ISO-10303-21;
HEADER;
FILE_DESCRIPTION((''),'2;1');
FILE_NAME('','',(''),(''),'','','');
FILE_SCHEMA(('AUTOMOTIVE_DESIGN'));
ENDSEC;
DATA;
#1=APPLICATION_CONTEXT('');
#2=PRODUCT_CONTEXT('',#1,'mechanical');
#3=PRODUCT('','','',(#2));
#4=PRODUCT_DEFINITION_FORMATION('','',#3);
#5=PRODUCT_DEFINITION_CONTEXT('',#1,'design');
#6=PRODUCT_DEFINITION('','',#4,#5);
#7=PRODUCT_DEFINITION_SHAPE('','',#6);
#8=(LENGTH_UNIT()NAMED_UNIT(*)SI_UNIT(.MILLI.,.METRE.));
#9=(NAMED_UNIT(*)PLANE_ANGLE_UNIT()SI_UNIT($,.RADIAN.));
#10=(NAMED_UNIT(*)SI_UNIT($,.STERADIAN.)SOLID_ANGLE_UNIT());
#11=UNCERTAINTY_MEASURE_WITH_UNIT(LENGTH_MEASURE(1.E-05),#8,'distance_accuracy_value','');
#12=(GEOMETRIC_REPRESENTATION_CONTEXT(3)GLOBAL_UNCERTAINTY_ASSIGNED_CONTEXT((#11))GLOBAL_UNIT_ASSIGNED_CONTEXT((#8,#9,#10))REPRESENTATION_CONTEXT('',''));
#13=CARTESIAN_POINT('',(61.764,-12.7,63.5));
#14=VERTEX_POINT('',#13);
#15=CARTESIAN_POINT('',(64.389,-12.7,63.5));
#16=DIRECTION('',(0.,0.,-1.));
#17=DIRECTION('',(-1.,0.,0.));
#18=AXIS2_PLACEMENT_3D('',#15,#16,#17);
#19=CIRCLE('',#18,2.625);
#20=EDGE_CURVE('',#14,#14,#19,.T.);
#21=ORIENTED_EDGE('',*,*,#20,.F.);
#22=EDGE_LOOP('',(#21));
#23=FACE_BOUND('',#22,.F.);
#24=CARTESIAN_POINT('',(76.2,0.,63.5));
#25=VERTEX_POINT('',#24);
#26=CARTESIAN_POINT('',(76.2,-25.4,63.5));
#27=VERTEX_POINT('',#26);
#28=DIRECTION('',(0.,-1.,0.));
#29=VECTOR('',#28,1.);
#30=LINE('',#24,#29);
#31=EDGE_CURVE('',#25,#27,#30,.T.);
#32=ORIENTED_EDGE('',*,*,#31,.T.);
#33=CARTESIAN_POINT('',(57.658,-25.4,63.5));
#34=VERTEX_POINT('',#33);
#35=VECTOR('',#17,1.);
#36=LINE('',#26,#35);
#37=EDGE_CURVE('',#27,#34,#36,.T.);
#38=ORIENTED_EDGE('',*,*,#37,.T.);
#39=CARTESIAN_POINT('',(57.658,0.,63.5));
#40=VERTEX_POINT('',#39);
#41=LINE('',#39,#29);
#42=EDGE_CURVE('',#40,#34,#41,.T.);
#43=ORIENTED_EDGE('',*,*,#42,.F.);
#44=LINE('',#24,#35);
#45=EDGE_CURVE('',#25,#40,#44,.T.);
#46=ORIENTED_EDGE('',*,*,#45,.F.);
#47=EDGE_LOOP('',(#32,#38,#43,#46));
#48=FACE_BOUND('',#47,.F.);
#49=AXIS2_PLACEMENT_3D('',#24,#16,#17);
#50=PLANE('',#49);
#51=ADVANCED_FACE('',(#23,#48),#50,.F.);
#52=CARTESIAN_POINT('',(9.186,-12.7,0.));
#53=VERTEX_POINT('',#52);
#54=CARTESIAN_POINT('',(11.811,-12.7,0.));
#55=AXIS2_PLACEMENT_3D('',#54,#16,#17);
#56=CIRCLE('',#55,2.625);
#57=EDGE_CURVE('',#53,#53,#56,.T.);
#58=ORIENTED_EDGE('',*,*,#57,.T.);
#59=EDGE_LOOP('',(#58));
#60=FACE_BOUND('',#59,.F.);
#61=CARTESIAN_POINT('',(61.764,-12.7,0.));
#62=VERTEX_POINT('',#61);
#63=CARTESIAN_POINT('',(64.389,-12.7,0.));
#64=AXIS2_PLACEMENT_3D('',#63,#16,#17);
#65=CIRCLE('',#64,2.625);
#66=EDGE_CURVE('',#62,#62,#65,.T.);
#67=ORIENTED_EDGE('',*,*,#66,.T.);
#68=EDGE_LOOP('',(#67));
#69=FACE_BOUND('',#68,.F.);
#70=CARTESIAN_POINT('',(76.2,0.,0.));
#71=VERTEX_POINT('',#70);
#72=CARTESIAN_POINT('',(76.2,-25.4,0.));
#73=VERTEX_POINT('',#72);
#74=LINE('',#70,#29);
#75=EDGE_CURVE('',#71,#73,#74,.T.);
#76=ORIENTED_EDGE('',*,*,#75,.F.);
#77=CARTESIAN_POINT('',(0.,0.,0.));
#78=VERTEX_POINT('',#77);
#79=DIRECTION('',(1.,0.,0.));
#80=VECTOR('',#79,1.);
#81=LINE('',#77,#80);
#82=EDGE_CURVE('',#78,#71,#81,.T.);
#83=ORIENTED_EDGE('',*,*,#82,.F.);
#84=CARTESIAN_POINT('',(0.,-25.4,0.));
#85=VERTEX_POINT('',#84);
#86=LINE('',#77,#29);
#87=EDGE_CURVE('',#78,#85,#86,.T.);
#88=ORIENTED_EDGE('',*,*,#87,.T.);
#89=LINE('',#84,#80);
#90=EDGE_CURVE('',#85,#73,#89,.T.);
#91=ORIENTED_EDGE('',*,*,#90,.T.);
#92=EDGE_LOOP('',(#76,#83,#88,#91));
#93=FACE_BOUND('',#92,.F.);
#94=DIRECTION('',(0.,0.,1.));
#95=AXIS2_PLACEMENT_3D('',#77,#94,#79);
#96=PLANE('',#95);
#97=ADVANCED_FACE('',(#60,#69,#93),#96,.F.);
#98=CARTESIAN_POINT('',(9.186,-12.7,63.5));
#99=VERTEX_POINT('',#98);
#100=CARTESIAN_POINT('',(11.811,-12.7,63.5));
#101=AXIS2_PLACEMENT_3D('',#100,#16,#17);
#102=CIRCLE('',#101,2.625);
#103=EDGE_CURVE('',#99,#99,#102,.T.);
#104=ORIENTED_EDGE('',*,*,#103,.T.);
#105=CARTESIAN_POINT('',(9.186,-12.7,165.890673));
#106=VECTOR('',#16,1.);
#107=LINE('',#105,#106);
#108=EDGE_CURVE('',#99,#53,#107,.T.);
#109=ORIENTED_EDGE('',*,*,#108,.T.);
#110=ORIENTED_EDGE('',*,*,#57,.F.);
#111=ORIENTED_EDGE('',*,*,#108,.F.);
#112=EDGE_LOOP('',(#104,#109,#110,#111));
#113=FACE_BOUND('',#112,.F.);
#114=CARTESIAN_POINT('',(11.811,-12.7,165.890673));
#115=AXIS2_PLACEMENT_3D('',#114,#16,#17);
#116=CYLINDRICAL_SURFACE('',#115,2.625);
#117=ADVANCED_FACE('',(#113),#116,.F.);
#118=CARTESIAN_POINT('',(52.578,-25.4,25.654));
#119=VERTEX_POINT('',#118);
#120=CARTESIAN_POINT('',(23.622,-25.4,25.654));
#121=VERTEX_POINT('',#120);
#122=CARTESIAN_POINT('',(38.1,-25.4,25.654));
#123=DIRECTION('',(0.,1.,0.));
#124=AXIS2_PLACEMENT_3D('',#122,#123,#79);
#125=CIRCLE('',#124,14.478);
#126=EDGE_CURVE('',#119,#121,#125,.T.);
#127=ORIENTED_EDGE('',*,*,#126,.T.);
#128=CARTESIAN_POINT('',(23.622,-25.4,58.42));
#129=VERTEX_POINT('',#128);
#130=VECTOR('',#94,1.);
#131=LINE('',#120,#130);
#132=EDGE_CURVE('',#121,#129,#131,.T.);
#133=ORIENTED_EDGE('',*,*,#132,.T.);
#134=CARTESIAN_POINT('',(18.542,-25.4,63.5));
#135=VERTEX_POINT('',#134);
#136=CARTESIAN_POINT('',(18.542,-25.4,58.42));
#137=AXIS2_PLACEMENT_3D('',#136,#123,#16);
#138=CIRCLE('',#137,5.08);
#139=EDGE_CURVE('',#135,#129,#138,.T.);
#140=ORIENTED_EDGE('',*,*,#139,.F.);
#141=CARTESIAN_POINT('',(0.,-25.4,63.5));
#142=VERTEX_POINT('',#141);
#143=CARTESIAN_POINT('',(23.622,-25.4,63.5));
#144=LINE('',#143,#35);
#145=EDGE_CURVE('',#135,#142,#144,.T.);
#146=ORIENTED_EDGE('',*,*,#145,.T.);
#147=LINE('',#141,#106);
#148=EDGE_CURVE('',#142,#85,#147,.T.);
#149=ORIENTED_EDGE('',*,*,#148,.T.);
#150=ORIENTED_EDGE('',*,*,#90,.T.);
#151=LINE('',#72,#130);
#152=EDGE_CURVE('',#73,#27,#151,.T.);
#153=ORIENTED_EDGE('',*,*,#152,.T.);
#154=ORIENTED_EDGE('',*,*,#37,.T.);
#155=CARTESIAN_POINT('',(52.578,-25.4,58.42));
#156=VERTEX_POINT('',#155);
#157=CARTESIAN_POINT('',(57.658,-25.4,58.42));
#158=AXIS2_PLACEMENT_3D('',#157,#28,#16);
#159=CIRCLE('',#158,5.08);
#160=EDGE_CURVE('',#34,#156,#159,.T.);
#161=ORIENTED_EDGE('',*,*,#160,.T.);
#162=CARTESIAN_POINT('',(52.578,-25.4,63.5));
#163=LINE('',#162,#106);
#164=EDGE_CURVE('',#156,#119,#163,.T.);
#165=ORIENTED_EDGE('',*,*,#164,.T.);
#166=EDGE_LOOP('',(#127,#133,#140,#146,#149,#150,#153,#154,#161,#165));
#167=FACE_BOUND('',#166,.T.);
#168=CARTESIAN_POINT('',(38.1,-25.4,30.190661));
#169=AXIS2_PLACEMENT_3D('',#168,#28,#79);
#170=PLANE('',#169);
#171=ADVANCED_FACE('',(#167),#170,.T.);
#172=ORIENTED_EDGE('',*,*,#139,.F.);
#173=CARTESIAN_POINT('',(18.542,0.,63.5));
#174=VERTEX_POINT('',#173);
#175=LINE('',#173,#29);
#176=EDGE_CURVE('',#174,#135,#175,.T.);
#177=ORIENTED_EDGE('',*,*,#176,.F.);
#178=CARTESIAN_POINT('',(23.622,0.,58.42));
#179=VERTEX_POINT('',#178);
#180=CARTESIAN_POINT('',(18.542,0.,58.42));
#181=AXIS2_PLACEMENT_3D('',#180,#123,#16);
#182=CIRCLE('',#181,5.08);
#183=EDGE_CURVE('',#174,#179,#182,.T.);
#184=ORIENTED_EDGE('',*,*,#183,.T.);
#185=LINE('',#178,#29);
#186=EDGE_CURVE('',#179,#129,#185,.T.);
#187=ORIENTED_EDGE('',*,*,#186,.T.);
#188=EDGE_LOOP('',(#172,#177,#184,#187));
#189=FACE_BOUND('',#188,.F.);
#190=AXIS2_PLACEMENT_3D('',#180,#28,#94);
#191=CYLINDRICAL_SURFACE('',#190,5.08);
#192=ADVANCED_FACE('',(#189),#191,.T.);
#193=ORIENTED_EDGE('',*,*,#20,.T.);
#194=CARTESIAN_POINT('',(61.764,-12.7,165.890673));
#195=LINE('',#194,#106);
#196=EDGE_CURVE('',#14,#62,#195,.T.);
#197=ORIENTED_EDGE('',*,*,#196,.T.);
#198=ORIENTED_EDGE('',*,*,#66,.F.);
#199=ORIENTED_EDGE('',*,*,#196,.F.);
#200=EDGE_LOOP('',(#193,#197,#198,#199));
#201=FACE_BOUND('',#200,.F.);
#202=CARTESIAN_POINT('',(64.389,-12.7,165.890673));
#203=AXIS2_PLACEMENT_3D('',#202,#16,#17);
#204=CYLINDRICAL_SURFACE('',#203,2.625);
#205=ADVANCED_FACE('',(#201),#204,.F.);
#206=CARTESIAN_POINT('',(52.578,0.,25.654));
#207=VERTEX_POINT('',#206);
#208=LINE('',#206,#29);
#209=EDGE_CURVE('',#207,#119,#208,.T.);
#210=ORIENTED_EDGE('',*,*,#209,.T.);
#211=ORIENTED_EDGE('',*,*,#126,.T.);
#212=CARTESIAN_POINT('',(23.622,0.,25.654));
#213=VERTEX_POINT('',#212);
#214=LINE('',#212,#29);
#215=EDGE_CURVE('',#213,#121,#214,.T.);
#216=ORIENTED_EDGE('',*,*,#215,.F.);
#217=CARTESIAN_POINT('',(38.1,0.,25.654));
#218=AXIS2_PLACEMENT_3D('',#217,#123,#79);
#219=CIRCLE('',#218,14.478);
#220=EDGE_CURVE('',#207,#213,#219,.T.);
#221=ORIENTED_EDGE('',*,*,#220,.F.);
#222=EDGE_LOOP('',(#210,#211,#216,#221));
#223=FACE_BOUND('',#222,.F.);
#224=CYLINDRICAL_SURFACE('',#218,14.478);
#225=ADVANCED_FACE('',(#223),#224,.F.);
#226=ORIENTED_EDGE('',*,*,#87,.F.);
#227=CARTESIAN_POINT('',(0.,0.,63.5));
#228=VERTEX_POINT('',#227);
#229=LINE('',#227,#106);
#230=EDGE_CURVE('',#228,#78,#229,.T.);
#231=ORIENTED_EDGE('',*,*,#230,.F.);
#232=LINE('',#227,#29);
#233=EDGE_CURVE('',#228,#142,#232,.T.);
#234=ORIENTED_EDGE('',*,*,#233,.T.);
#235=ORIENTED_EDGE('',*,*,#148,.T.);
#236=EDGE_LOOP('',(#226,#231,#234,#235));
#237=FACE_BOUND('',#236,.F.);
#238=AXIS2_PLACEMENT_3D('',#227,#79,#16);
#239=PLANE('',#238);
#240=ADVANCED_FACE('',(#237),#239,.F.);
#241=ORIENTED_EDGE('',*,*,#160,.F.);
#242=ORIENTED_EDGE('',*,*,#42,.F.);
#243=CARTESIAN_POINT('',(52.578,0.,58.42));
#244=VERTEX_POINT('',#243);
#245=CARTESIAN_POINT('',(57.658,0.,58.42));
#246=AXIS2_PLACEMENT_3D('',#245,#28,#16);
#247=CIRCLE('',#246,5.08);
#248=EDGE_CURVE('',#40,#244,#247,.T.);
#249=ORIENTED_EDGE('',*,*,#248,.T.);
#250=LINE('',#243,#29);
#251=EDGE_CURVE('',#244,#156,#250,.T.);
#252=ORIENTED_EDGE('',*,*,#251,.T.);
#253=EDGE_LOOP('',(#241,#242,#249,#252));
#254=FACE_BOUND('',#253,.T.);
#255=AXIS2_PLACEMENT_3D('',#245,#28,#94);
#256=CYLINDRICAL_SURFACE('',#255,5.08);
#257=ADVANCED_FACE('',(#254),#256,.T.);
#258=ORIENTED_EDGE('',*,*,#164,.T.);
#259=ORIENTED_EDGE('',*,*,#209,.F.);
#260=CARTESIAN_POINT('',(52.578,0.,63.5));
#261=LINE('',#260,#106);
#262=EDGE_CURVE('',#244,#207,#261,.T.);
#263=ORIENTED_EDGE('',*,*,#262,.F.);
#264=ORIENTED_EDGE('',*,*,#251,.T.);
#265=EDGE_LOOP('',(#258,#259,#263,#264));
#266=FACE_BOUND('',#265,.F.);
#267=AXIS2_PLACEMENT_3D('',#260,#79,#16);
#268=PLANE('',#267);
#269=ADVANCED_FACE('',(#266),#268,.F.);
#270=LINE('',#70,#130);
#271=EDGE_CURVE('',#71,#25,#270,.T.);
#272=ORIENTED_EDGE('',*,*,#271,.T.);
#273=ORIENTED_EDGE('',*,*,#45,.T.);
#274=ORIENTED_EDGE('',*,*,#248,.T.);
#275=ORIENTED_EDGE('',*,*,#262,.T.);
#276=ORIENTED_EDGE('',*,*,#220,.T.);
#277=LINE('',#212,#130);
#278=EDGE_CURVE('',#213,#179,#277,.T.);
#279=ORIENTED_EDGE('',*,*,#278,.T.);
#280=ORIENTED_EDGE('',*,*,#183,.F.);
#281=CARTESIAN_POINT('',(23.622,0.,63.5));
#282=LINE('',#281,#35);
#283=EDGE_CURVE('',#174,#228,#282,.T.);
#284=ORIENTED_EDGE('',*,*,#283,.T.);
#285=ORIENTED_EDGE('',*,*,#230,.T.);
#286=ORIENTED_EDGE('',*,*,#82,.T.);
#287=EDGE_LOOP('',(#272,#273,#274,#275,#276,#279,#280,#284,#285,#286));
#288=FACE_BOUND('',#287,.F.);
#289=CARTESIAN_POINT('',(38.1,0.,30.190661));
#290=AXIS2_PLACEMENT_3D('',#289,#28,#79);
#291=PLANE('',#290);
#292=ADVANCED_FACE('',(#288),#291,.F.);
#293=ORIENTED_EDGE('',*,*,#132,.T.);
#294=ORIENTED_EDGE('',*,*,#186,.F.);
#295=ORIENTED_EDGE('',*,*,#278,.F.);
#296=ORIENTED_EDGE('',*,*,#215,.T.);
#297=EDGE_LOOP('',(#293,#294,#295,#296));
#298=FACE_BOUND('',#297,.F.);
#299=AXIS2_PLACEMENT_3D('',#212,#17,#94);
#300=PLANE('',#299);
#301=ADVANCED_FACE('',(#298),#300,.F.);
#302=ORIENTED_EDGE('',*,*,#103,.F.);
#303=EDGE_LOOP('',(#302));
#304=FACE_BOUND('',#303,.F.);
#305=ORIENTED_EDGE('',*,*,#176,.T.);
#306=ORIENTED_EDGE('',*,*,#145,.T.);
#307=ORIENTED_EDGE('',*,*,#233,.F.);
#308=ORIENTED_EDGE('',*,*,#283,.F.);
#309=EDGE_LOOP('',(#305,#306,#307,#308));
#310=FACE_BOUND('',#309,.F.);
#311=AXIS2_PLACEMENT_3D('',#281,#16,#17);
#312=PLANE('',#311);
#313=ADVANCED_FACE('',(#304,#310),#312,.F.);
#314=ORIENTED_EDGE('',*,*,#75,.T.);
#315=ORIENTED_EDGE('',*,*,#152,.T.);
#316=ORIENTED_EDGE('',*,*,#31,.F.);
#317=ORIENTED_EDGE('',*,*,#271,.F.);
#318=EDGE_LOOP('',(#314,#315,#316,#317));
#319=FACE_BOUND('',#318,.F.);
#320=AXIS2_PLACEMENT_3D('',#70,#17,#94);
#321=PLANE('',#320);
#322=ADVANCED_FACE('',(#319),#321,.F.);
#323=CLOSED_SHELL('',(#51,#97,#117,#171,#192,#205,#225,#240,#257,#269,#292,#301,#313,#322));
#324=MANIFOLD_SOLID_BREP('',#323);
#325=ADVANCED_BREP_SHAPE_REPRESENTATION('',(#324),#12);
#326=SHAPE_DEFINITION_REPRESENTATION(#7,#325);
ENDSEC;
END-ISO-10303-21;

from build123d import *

# Parameters (mm, degrees)
F1_DEPTH   = 25.4
F4_D       = 5.25
F4_ON_F3_D = 5.25
F5_R       = 5.08


with BuildPart() as f1:
    # F0 (on Front) → F1 (new body)
    with BuildSketch(Plane.XZ):
        with BuildLine():
            Line((0, 63.5), (0, 0))
            Line((0, 0), (76.2, 0))
            Line((76.2, 0), (76.2, 63.5))
            Line((76.2, 63.5), (52.578, 63.5))
            Line((52.578, 63.5), (52.578, 25.654))
            ThreePointArc((52.578, 25.654), (38.1, 11.176), (23.622, 25.654))
            Line((23.622, 25.654), (23.622, 63.5))
            Line((23.622, 63.5), (0, 63.5))
        make_face()
    extrude(amount=F1_DEPTH)

    # F4 (through all)
    with Locations(Plane.XY.offset(63.5)):
        with Locations((11.811, -12.7)):
            Hole(F4_D / 2)

    # F4 on F3 (through all)
    with Locations(Plane.XY.offset(63.5)):
        with Locations((64.389, -12.7)):
            Hole(F4_ON_F3_D / 2)

    # F5
    f5_edges = [f1.edges().sort_by_distance(p)[0] for p in [
        (23.622, -12.7, 63.5),
        (52.578, -12.7, 63.5),
    ]]
    fillet(f5_edges, radius=F5_R)


solid = f1.part
